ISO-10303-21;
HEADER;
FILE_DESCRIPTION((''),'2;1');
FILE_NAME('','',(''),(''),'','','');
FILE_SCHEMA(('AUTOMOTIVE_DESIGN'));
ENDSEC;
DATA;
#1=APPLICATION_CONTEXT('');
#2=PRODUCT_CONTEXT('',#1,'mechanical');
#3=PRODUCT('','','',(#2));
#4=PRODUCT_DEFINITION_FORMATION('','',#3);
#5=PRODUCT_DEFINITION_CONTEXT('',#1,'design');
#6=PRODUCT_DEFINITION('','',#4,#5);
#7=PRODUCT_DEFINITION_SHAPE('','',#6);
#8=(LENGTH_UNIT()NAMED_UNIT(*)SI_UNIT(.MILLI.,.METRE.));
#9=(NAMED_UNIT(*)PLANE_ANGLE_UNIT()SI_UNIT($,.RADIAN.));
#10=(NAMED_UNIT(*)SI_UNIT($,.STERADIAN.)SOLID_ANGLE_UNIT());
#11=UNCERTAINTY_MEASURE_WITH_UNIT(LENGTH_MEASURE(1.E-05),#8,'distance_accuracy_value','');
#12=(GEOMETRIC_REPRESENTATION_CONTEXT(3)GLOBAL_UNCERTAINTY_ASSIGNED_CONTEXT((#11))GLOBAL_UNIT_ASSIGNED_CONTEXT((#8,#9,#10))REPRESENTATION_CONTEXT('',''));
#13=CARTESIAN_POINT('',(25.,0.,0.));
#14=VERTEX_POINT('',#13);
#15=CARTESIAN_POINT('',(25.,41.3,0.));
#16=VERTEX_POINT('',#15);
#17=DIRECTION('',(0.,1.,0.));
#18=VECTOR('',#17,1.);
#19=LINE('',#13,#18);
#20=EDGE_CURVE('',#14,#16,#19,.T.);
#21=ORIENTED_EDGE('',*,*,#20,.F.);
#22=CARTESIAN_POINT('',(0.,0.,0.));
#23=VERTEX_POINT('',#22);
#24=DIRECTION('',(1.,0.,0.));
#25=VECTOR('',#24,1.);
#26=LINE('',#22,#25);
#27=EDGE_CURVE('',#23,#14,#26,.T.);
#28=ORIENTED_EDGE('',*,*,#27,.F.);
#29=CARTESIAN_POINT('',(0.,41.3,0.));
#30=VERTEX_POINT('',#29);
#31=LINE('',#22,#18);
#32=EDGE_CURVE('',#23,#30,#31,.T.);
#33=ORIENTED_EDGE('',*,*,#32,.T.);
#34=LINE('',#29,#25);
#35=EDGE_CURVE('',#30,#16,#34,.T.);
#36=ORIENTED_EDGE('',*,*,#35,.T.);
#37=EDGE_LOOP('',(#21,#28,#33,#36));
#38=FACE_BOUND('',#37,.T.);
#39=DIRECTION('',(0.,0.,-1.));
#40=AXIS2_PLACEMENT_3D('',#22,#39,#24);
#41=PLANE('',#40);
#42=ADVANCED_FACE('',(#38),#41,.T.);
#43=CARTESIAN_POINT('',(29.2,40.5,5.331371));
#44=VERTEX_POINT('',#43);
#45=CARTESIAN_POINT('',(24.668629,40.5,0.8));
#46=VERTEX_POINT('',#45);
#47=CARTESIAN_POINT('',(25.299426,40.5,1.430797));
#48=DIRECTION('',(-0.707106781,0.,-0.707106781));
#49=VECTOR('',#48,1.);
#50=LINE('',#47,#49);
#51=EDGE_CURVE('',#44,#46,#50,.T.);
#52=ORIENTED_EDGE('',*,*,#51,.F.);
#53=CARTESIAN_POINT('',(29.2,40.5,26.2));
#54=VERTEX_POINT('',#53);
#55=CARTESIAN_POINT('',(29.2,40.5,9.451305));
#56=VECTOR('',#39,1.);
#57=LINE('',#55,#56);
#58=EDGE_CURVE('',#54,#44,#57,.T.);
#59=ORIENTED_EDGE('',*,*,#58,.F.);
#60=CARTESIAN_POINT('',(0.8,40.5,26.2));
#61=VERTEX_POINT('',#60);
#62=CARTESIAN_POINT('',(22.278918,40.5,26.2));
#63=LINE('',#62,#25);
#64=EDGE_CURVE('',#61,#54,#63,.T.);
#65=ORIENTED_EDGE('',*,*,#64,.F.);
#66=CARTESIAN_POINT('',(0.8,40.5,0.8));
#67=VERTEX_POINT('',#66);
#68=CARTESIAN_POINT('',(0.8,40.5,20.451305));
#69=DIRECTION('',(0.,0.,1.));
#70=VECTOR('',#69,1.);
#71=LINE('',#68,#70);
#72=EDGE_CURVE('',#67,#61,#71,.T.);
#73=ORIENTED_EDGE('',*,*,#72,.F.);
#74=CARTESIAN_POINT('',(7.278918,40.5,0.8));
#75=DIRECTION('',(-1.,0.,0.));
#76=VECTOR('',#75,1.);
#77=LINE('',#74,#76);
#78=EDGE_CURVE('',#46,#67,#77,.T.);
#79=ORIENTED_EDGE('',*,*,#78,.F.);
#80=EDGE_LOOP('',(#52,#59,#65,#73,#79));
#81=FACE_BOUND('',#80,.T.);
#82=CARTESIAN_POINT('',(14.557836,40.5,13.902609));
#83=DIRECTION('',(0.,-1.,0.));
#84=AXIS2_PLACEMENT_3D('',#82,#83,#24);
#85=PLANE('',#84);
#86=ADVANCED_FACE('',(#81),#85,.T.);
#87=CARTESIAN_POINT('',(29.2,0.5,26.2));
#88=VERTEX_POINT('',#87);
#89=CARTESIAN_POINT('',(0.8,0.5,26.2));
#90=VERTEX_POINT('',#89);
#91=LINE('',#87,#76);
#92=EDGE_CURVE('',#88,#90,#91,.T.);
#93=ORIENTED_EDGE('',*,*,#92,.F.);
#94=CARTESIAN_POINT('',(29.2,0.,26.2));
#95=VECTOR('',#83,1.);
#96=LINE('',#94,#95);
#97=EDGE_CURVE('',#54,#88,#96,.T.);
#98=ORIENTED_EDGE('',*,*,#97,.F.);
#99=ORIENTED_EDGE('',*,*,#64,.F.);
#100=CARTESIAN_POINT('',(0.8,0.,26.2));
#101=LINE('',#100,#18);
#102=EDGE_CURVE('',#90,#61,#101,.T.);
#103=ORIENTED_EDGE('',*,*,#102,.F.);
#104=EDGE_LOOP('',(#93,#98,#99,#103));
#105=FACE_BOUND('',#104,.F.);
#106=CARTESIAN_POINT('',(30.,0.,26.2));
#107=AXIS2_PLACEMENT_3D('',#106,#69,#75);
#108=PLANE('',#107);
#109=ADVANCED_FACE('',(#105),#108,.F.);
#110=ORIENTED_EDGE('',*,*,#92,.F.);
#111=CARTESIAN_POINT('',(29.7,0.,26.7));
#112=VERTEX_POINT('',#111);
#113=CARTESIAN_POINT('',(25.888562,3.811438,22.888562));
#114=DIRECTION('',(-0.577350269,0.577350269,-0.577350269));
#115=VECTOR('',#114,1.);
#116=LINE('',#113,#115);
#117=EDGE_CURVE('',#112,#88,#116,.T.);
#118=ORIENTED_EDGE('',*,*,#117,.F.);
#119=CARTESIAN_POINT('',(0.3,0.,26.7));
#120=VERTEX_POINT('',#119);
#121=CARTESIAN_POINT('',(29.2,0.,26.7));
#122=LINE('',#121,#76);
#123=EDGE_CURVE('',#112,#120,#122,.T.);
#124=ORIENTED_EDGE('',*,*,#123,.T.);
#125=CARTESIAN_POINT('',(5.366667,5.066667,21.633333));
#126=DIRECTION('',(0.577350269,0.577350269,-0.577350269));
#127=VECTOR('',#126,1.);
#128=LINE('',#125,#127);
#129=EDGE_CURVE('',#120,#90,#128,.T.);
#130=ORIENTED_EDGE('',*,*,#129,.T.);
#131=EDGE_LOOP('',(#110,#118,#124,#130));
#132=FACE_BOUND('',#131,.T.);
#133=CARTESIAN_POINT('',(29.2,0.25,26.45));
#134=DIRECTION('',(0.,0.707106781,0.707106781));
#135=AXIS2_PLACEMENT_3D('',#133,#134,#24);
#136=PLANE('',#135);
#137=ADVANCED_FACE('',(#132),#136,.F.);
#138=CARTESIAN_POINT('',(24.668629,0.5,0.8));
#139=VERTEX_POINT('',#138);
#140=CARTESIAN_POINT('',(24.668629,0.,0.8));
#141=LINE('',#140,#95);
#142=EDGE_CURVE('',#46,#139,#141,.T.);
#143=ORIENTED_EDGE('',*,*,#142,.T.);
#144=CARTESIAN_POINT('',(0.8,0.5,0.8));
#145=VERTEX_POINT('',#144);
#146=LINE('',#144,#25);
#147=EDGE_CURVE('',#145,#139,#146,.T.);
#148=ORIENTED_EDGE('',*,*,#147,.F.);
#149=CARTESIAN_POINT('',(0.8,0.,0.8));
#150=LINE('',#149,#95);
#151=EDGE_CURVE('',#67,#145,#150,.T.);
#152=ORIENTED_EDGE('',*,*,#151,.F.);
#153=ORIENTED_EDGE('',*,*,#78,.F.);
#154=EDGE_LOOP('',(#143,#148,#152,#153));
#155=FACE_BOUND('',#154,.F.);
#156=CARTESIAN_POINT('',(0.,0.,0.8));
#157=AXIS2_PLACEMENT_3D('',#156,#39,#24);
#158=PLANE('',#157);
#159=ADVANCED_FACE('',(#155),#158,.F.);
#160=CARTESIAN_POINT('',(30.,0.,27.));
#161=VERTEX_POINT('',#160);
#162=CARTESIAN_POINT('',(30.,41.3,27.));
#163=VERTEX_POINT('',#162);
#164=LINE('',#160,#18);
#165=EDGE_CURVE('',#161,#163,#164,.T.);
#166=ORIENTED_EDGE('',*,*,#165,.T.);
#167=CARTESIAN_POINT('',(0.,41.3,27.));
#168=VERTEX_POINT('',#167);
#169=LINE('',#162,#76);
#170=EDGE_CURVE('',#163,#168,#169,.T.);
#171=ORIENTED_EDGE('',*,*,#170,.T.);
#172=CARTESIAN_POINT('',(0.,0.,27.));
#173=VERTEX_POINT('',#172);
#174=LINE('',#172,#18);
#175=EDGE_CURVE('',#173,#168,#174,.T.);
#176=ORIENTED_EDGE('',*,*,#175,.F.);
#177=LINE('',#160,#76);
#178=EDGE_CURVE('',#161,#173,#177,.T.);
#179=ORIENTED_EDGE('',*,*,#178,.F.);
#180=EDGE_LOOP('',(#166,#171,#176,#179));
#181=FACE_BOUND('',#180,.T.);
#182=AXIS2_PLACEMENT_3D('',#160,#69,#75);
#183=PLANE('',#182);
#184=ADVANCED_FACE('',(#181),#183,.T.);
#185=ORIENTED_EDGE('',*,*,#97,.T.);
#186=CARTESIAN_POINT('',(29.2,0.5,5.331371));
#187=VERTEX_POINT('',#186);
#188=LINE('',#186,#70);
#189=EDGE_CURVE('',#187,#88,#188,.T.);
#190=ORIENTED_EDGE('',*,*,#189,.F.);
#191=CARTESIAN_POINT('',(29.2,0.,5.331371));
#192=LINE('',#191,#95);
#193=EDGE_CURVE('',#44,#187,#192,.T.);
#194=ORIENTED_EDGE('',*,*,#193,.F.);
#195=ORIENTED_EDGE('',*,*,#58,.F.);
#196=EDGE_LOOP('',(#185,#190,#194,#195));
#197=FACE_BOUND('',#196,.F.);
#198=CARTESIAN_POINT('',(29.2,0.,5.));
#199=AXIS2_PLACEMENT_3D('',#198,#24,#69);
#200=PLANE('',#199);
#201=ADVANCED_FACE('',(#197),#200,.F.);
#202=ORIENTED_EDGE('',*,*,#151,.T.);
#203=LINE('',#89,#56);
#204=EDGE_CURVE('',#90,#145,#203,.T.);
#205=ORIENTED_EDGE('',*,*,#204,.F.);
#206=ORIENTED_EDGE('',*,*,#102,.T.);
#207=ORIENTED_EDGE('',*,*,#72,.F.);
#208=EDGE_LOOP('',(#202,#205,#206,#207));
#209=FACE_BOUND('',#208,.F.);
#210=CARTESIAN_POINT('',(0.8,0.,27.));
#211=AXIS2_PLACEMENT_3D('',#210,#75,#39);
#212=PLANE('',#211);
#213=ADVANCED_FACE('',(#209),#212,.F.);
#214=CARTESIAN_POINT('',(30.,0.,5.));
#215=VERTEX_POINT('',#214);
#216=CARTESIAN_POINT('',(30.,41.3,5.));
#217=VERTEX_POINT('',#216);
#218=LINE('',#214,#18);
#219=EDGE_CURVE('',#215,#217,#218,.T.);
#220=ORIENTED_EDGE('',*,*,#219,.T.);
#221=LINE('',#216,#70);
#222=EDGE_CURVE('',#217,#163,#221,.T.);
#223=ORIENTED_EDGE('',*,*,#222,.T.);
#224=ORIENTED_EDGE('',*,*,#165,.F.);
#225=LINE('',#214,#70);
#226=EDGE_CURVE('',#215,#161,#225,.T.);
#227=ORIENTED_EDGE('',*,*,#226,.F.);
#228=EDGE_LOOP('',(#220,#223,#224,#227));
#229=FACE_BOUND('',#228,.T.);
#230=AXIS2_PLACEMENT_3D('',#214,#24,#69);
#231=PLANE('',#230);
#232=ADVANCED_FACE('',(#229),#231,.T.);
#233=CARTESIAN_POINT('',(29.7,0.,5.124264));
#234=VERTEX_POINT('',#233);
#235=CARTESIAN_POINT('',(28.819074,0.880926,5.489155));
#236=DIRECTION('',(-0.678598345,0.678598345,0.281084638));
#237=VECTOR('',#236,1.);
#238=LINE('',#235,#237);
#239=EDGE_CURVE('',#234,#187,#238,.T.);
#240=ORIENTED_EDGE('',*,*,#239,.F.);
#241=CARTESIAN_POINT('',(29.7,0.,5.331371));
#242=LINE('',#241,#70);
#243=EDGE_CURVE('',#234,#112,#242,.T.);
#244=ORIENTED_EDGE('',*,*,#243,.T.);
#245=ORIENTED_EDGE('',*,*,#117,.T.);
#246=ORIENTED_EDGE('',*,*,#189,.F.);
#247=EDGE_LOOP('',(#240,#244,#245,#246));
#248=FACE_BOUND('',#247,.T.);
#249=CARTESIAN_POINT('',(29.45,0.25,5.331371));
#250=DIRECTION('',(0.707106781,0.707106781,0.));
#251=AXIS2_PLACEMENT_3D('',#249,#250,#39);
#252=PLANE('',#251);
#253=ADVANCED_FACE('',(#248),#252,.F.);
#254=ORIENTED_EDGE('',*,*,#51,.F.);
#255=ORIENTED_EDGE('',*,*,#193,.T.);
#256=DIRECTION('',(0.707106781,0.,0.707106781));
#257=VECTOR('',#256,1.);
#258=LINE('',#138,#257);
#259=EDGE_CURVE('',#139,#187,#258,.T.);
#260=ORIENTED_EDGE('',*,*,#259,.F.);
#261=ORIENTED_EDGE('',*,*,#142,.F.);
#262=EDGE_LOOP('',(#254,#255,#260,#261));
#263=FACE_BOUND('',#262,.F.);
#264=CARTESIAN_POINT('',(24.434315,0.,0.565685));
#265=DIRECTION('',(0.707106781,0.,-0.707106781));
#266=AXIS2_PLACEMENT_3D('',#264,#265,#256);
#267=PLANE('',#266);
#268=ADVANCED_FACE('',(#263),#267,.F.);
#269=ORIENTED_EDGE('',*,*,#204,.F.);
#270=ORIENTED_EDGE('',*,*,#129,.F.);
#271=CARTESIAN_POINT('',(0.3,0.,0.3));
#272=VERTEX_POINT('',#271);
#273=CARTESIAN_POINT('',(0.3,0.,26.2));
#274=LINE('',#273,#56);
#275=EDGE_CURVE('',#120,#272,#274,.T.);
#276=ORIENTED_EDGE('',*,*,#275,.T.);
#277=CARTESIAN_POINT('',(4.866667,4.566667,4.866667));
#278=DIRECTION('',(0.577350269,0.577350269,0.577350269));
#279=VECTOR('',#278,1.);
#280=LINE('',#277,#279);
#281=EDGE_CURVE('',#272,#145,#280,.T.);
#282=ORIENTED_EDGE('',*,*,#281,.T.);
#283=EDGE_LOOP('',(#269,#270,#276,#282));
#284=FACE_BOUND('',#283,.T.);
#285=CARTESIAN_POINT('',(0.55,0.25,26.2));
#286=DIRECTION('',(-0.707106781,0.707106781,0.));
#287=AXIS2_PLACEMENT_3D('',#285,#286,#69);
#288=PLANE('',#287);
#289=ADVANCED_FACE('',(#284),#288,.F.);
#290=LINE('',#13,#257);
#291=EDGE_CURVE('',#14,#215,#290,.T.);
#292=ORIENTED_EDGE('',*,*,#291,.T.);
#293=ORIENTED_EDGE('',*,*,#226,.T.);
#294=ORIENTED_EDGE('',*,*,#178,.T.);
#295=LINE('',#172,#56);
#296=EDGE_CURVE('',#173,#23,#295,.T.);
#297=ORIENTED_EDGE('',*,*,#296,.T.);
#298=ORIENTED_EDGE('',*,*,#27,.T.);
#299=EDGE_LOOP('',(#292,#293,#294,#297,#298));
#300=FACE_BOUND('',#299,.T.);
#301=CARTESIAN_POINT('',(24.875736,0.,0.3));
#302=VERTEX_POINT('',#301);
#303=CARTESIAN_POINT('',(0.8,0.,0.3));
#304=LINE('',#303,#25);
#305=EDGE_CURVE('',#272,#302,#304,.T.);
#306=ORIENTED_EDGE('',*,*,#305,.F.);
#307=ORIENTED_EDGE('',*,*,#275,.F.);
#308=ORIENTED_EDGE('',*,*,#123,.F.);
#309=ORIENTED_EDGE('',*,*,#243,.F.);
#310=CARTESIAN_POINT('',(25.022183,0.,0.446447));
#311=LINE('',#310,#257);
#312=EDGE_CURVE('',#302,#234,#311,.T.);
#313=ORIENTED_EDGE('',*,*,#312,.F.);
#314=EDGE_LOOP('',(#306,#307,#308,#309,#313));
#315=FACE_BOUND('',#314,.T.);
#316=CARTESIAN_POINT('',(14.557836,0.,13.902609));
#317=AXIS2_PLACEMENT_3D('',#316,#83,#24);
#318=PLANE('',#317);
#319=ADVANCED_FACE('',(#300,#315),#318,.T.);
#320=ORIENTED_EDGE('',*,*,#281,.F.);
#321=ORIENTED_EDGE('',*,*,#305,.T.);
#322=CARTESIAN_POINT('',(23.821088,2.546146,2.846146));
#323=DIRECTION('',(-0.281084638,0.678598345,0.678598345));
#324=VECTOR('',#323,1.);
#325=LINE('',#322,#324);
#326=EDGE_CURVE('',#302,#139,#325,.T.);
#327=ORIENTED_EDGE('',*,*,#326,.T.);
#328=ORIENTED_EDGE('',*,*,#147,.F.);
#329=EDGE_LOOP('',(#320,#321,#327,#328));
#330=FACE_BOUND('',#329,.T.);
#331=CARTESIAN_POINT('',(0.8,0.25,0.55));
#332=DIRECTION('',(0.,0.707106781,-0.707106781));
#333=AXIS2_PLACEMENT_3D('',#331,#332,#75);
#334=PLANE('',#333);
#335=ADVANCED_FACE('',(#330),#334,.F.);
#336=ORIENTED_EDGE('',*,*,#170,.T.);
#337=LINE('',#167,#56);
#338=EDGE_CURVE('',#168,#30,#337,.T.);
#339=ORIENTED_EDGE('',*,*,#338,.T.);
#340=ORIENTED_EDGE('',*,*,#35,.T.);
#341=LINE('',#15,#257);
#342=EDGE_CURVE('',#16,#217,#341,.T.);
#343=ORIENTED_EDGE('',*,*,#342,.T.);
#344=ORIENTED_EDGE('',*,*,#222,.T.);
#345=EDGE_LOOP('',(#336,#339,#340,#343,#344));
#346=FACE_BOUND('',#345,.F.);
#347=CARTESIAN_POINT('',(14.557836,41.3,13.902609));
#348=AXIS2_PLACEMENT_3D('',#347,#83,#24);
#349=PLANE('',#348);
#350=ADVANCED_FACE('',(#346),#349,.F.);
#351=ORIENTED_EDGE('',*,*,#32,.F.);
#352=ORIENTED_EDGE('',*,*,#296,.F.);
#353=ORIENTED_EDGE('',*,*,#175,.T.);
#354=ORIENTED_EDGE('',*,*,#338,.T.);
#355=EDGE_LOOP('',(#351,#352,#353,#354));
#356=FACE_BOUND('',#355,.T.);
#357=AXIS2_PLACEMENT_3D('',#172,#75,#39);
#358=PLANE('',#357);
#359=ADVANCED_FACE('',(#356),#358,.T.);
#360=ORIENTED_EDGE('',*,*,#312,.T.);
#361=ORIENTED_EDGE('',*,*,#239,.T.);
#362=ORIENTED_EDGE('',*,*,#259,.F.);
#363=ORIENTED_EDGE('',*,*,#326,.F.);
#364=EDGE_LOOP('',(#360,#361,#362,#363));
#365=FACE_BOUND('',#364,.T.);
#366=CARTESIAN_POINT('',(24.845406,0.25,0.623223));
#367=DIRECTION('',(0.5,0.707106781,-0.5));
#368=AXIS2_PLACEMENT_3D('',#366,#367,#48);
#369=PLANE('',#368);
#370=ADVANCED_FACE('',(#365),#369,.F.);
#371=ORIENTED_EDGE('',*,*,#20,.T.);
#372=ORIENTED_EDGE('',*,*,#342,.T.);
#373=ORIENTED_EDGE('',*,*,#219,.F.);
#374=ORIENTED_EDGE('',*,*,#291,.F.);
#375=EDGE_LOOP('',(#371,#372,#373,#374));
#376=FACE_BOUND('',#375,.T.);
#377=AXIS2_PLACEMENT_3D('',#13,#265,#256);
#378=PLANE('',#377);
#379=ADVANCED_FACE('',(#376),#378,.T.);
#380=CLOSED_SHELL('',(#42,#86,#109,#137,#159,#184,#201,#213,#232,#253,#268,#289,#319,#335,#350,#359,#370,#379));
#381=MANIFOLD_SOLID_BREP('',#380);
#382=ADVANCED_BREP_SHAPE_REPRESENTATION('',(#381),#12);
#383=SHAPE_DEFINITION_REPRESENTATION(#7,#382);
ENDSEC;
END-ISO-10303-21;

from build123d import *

# Parameters (mm, degrees)
F2_DEPTH = 41.3
F3_T     = -0.8
F4_SIZE  = 0.5


with BuildPart() as f2:
    # F1 (on Front) → F2 (new body)
    with BuildSketch(Plane.XZ):
        Polygon((0, 27), (0, 0), (25, 0), (30, 5), (30, 27), align=None)
    extrude(amount=-F2_DEPTH)

    # F3
    f3_openings = [f2.faces().sort_by_distance(p)[0] for p in [
        (14.791014, 0, 13.685475),
    ]]
    offset(amount=F3_T, openings=f3_openings)

    # F4
    f4_edges = [f2.edges().sort_by_distance(p)[0] for p in [
        (15, 0, 26.2),
        (29.2, 0, 15.765685),
        (26.934315, 0, 3.065685),
        (12.734315, 0, 0.8),
        (0.8, 0, 13.5),
    ]]
    chamfer(f4_edges, length=F4_SIZE)


solid = f2.part
